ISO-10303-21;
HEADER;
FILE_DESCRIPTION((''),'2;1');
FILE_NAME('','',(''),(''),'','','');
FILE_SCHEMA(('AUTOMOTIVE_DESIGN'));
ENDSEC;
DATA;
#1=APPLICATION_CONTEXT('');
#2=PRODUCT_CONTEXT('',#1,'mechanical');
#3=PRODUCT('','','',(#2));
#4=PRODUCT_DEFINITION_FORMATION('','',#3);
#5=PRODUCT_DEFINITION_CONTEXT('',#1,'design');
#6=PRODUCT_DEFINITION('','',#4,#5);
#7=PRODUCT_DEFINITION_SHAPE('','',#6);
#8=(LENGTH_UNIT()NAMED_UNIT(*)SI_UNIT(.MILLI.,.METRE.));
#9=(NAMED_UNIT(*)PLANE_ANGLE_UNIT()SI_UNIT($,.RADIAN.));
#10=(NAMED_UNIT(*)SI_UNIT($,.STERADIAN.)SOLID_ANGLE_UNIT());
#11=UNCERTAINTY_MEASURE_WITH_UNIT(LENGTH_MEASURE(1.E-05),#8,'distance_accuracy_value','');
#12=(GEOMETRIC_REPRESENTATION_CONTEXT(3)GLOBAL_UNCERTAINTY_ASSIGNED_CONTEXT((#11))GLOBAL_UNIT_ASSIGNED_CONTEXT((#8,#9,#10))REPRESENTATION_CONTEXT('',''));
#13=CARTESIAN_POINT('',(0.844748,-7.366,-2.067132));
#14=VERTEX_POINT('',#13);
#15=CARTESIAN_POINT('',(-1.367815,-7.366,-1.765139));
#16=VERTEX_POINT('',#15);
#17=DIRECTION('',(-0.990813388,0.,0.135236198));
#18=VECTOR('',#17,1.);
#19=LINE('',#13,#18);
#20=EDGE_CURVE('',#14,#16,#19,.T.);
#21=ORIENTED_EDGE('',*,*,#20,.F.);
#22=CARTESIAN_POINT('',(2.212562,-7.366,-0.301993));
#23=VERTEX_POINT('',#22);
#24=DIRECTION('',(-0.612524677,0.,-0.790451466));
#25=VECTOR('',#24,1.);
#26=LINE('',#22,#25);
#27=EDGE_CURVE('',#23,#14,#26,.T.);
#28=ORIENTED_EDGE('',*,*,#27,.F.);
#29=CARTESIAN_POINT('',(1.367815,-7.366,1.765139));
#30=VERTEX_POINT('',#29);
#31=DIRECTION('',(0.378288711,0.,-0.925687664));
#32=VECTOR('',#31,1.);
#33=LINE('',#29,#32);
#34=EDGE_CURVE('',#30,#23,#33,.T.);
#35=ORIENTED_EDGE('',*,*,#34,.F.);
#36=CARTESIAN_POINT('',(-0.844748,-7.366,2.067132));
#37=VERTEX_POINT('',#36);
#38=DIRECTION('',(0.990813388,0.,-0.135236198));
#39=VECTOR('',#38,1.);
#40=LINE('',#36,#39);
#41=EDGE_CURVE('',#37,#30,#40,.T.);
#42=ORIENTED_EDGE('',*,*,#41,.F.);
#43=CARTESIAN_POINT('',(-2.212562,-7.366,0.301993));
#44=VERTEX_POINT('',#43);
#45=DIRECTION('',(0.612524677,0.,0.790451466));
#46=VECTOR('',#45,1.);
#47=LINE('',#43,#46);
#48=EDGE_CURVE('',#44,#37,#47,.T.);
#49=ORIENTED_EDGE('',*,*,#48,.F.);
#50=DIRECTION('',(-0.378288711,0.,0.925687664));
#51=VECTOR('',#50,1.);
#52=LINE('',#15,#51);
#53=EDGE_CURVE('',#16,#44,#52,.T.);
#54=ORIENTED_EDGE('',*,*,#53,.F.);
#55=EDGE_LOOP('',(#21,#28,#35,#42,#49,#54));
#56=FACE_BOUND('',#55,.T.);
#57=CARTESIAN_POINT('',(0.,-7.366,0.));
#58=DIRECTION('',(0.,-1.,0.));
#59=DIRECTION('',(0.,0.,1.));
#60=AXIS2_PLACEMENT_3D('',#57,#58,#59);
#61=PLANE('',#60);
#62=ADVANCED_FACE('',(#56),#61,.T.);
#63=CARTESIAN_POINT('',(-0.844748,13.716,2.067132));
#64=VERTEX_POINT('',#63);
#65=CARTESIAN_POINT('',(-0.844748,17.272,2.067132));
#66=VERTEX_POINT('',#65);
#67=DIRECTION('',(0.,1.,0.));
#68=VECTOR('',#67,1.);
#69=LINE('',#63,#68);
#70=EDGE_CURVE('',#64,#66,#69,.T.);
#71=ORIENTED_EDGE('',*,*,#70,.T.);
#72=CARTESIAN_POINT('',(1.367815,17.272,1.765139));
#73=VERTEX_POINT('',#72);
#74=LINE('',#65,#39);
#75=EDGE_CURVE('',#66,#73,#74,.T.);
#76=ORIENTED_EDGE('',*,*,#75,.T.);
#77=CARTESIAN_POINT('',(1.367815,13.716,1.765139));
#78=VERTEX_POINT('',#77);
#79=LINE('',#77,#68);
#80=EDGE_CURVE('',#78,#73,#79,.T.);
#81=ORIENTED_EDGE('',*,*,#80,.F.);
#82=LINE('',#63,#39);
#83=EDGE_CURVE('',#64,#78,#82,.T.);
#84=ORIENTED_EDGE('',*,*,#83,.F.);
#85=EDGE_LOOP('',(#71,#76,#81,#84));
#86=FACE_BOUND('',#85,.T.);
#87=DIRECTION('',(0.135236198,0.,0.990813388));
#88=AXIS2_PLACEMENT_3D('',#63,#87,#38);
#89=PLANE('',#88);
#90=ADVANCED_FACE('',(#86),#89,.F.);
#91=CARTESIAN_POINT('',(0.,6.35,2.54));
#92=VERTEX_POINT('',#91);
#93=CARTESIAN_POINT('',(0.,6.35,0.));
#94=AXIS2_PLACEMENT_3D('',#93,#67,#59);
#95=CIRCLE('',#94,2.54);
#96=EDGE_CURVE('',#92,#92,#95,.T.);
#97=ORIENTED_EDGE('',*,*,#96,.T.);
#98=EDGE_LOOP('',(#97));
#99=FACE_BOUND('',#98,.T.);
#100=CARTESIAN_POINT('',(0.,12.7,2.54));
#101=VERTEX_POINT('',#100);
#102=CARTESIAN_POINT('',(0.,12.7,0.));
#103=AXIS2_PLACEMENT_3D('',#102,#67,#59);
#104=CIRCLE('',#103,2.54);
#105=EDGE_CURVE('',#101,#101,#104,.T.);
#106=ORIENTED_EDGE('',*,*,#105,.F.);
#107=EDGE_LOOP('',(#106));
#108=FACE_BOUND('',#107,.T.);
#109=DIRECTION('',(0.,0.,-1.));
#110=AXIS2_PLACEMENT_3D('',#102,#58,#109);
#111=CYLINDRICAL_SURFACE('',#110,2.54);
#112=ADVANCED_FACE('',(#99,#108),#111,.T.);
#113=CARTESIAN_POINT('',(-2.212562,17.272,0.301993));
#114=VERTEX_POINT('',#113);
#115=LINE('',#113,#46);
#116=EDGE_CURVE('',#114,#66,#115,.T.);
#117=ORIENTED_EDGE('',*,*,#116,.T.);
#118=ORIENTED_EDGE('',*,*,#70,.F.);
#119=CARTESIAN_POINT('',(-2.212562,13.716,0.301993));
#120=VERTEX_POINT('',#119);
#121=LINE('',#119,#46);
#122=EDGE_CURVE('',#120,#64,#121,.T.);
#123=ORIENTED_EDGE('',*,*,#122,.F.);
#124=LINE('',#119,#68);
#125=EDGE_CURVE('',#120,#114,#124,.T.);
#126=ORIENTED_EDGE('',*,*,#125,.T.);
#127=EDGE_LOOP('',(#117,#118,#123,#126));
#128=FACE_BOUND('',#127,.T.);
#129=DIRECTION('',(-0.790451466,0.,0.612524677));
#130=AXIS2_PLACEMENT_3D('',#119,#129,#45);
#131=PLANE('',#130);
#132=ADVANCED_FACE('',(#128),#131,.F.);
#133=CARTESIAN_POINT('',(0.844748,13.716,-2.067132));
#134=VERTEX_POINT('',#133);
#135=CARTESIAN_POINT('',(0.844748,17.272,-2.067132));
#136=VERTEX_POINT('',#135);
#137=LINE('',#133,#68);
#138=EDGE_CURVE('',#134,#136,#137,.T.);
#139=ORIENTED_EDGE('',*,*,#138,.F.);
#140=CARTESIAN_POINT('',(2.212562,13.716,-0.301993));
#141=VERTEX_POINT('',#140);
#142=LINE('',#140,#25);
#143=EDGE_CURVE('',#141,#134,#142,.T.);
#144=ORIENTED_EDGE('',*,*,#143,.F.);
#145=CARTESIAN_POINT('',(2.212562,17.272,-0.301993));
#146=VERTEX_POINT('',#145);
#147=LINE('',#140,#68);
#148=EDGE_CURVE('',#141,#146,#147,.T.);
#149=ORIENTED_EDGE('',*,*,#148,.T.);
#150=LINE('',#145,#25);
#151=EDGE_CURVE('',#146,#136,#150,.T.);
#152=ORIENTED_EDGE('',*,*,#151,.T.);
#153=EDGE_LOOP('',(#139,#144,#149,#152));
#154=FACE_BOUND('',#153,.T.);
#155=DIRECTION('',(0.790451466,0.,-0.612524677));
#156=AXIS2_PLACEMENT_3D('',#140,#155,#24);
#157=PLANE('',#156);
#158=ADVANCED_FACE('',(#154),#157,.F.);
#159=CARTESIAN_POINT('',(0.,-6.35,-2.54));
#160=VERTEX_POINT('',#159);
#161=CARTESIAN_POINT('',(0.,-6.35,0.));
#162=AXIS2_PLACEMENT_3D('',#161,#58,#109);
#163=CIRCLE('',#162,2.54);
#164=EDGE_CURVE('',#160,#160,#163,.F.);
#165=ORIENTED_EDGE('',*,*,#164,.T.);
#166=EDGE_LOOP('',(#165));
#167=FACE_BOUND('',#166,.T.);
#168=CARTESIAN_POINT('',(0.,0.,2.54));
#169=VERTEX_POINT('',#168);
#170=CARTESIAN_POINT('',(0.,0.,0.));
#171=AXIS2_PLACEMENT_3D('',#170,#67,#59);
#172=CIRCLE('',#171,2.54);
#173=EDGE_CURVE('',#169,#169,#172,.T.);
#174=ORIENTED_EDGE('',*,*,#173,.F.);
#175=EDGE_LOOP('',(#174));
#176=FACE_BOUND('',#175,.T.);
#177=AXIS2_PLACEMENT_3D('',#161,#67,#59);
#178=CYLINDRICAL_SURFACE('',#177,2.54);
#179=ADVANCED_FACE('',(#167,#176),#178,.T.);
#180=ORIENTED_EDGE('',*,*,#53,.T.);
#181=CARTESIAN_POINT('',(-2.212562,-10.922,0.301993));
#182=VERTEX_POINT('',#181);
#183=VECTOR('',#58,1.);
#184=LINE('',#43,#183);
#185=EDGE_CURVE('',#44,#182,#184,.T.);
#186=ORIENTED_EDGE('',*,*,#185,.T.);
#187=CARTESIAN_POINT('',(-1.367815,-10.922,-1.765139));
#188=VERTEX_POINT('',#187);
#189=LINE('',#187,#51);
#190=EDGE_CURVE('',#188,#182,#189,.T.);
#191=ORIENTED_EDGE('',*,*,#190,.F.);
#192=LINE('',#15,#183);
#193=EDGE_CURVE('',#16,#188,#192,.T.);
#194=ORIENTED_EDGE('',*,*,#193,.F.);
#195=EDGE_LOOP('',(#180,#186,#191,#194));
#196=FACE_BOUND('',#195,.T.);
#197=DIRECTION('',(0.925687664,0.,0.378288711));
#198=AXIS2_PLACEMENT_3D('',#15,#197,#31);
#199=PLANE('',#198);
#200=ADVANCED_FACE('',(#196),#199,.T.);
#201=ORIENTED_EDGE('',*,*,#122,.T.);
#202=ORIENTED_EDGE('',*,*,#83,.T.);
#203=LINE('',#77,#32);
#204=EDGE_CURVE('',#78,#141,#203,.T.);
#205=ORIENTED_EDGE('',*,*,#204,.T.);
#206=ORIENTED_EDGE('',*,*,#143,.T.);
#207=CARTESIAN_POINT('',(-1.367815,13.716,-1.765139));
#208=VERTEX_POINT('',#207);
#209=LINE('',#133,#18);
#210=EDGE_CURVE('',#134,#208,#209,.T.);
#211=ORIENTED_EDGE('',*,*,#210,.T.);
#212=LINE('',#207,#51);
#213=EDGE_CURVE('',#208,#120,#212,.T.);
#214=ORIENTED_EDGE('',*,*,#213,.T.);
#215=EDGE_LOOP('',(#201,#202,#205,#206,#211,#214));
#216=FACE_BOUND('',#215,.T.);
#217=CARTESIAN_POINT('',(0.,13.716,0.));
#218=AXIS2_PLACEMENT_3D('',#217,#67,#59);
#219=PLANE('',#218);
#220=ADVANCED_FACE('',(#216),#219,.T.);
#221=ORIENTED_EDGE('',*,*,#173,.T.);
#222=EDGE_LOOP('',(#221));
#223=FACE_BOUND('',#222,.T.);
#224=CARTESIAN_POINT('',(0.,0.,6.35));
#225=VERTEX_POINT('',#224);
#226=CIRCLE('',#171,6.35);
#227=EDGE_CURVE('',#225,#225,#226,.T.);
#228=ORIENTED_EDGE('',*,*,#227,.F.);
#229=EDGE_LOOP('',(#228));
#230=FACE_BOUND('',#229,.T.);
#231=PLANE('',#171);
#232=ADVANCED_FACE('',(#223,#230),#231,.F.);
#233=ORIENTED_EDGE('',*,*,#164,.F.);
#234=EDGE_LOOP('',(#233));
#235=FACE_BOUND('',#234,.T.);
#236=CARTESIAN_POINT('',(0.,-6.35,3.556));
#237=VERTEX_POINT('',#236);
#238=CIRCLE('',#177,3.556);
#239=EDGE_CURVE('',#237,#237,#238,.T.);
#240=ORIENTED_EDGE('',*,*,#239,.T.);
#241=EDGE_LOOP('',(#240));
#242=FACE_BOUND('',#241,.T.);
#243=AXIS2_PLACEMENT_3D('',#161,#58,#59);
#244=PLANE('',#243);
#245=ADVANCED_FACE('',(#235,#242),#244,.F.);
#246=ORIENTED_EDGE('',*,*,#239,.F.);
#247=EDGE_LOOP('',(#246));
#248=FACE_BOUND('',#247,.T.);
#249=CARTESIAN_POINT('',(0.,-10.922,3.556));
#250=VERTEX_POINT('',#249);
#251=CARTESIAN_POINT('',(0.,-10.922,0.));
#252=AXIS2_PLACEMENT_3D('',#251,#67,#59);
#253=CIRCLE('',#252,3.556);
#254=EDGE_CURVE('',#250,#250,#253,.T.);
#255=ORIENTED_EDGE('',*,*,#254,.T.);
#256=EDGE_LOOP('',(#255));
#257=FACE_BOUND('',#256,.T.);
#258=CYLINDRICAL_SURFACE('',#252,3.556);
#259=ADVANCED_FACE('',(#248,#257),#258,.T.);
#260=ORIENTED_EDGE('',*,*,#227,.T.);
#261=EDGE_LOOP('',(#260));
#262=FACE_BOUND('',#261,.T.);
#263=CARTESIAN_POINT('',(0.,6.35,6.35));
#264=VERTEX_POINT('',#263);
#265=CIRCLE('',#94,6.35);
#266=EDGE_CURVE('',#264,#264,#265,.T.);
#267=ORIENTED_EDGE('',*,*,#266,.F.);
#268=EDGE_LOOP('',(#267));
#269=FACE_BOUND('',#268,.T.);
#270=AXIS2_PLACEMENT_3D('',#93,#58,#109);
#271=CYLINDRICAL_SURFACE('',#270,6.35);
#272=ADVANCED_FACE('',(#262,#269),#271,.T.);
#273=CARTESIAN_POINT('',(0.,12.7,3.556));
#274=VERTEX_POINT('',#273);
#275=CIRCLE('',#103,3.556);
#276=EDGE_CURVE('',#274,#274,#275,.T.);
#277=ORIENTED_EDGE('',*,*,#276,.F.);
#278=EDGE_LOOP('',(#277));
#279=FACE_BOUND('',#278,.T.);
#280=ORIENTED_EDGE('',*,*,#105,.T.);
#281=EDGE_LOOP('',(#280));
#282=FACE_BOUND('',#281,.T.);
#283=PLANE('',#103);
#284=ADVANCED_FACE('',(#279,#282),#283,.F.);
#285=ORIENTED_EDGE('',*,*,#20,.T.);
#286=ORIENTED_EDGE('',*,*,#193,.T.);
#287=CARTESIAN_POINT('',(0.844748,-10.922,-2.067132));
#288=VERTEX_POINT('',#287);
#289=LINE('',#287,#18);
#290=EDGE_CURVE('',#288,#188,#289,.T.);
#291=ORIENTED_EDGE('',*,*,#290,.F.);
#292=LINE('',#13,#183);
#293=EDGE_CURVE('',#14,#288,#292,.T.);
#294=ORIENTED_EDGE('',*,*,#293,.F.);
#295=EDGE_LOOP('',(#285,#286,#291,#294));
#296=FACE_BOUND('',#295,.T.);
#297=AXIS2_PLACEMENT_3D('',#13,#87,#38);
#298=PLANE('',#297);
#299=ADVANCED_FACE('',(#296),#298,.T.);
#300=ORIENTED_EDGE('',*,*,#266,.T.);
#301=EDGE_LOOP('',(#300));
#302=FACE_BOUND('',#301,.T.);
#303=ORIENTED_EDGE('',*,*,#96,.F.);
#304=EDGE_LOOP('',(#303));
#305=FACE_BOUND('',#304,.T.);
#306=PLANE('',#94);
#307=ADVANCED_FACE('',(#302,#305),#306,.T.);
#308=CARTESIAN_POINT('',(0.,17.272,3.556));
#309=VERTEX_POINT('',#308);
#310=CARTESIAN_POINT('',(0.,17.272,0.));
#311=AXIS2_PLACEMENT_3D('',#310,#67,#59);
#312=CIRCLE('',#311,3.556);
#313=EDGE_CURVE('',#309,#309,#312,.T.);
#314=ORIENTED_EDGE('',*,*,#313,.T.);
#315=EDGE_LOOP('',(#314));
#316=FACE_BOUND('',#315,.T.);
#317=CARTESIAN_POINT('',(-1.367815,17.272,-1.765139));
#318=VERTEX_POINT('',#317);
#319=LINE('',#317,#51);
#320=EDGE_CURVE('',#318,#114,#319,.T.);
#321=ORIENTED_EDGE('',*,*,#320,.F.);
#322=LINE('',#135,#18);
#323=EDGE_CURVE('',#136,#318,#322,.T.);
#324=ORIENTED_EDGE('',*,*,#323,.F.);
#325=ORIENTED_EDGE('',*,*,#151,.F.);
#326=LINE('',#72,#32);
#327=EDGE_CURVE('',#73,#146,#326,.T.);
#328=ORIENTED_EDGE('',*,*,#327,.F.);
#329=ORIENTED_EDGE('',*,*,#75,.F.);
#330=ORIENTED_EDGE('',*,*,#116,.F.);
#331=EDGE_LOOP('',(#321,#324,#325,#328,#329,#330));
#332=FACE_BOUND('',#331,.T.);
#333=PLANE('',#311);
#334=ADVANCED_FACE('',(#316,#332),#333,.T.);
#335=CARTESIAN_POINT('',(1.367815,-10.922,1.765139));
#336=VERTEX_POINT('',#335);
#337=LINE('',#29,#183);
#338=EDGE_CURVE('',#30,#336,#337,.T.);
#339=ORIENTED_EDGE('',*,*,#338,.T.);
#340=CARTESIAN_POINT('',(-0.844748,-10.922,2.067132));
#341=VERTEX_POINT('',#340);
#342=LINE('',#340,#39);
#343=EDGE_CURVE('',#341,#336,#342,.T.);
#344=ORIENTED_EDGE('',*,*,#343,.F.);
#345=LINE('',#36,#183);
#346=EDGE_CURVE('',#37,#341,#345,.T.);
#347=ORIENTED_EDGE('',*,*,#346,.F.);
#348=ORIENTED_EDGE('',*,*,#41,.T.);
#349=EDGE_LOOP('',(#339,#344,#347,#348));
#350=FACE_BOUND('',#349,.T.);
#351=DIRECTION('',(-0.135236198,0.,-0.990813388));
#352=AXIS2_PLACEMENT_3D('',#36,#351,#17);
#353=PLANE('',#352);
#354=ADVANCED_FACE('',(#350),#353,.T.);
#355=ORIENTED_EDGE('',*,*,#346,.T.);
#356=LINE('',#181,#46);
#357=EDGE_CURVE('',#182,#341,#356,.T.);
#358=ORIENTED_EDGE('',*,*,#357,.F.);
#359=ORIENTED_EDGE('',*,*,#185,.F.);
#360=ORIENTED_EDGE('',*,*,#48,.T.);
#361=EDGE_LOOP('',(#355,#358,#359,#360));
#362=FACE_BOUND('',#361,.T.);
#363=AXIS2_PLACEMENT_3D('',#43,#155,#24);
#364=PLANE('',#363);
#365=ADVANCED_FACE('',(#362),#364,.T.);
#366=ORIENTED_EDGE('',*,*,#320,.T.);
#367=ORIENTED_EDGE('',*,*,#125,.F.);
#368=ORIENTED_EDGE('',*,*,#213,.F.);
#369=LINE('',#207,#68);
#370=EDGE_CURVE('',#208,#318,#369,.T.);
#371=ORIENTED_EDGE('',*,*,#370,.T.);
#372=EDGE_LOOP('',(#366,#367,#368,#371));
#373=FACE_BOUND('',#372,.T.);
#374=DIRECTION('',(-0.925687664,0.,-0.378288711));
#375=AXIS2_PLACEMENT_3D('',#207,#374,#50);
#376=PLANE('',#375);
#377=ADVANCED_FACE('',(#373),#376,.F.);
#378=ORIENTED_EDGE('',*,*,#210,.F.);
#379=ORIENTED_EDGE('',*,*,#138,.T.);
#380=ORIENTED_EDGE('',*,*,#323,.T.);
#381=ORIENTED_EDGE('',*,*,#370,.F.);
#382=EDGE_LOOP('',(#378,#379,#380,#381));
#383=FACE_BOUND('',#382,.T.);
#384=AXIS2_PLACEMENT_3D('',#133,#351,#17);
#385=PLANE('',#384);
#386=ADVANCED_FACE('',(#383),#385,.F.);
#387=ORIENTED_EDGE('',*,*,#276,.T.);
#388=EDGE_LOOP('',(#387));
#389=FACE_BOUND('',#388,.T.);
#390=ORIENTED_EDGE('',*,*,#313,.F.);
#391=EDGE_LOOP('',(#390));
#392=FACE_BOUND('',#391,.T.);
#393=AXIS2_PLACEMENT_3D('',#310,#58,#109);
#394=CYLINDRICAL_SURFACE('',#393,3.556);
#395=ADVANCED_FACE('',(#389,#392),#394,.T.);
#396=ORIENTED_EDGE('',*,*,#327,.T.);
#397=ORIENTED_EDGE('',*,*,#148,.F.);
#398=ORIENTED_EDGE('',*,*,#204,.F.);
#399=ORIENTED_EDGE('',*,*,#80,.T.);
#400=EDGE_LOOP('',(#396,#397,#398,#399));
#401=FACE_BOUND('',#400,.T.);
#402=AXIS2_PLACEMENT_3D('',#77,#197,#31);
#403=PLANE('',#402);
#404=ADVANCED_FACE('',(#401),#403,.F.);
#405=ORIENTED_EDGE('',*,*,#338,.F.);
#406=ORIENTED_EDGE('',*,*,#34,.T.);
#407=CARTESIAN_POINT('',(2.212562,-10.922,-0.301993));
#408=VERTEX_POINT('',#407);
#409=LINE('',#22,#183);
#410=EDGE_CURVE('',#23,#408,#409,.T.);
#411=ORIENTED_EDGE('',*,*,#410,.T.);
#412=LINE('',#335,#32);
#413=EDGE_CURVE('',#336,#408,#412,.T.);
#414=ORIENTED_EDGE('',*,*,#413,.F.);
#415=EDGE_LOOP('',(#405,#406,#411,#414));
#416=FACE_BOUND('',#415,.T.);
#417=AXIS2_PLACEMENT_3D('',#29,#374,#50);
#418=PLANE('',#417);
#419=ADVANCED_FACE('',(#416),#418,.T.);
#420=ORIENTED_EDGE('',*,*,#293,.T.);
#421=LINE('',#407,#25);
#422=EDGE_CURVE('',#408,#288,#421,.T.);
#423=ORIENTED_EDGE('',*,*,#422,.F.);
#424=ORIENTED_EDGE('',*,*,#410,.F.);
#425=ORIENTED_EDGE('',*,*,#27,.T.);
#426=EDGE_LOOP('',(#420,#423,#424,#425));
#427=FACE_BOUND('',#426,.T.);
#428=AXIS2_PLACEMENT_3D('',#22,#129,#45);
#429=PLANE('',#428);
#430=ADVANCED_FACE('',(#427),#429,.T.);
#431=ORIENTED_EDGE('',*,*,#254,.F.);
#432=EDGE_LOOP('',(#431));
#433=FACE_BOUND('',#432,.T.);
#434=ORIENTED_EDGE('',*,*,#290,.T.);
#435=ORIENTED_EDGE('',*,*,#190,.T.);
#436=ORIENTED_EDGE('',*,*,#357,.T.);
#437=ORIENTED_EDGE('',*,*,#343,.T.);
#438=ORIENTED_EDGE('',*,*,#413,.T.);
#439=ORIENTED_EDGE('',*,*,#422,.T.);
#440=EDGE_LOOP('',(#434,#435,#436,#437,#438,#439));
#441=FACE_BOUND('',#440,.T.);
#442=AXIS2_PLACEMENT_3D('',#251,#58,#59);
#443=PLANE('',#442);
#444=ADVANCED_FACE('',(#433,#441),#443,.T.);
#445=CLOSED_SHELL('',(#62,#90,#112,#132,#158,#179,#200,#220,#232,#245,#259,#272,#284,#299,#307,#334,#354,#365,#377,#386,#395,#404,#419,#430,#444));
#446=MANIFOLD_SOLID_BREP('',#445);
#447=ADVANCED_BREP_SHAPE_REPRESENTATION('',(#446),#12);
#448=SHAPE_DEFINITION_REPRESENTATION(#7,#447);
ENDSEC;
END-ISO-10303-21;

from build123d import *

# Parameters (mm, degrees)
SKETCH1_R           = 6.35
BOSS_EXTRUDE1_DEPTH = 6.35
SKETCH2_R           = 2.54
BOSS_EXTRUDE2_DEPTH = 6.35
SKETCH3_R           = 3.556
BOSS_EXTRUDE3_DEPTH = 4.572
CUT_EXTRUDE1_DEPTH  = 3.556


with BuildPart() as part:
    # Sketch1 → Boss-Extrude1 (new body)
    with BuildSketch(Plane(origin=(0, 0, 0), x_dir=(1, 0, 0), z_dir=(0, 1, 0))):
        Circle(SKETCH1_R)
    extrude(amount=BOSS_EXTRUDE1_DEPTH)

    # Sketch2 → Boss-Extrude2 (add)
    with BuildSketch(Plane(origin=(0, 6.35, 0), x_dir=(1, 0, 0), z_dir=(0, 1, 0))):
        Circle(SKETCH2_R)
    boss_extrude2 = extrude(amount=BOSS_EXTRUDE2_DEPTH)

    # Sketch3 → Boss-Extrude3 (add)
    with BuildSketch(Plane(origin=(0, 12.7, 0), x_dir=(1, 0, 0), z_dir=(0, 1, 0))):
        Circle(SKETCH3_R)
    boss_extrude3 = extrude(amount=BOSS_EXTRUDE3_DEPTH)

    # Sketch4 → Cut-Extrude1 (cut)
    with BuildSketch(Plane(origin=(0, 17.272, 0), x_dir=(1, 0, 0), z_dir=(0, 1, 0))):
        Polygon((2.212562326, 0.301992807), (0.84474772, 2.067131585), (-1.367814605, 1.765138778), (-2.212562326, -0.301992807), (-0.84474772, -2.067131585), (1.367814605, -1.765138778), align=None)
    cut_extrude1 = extrude(amount=-CUT_EXTRUDE1_DEPTH, mode=Mode.SUBTRACT)

    # Mirror1: Boss-Extrude2, Boss-Extrude3, Cut-Extrude1 across plane
    add(boss_extrude2.mirror(Plane.ZX.offset(3.175)))
    add(boss_extrude3.mirror(Plane.ZX.offset(3.175)))
    add(cut_extrude1.mirror(Plane.ZX.offset(3.175)), mode=Mode.SUBTRACT)


solid = part.part
